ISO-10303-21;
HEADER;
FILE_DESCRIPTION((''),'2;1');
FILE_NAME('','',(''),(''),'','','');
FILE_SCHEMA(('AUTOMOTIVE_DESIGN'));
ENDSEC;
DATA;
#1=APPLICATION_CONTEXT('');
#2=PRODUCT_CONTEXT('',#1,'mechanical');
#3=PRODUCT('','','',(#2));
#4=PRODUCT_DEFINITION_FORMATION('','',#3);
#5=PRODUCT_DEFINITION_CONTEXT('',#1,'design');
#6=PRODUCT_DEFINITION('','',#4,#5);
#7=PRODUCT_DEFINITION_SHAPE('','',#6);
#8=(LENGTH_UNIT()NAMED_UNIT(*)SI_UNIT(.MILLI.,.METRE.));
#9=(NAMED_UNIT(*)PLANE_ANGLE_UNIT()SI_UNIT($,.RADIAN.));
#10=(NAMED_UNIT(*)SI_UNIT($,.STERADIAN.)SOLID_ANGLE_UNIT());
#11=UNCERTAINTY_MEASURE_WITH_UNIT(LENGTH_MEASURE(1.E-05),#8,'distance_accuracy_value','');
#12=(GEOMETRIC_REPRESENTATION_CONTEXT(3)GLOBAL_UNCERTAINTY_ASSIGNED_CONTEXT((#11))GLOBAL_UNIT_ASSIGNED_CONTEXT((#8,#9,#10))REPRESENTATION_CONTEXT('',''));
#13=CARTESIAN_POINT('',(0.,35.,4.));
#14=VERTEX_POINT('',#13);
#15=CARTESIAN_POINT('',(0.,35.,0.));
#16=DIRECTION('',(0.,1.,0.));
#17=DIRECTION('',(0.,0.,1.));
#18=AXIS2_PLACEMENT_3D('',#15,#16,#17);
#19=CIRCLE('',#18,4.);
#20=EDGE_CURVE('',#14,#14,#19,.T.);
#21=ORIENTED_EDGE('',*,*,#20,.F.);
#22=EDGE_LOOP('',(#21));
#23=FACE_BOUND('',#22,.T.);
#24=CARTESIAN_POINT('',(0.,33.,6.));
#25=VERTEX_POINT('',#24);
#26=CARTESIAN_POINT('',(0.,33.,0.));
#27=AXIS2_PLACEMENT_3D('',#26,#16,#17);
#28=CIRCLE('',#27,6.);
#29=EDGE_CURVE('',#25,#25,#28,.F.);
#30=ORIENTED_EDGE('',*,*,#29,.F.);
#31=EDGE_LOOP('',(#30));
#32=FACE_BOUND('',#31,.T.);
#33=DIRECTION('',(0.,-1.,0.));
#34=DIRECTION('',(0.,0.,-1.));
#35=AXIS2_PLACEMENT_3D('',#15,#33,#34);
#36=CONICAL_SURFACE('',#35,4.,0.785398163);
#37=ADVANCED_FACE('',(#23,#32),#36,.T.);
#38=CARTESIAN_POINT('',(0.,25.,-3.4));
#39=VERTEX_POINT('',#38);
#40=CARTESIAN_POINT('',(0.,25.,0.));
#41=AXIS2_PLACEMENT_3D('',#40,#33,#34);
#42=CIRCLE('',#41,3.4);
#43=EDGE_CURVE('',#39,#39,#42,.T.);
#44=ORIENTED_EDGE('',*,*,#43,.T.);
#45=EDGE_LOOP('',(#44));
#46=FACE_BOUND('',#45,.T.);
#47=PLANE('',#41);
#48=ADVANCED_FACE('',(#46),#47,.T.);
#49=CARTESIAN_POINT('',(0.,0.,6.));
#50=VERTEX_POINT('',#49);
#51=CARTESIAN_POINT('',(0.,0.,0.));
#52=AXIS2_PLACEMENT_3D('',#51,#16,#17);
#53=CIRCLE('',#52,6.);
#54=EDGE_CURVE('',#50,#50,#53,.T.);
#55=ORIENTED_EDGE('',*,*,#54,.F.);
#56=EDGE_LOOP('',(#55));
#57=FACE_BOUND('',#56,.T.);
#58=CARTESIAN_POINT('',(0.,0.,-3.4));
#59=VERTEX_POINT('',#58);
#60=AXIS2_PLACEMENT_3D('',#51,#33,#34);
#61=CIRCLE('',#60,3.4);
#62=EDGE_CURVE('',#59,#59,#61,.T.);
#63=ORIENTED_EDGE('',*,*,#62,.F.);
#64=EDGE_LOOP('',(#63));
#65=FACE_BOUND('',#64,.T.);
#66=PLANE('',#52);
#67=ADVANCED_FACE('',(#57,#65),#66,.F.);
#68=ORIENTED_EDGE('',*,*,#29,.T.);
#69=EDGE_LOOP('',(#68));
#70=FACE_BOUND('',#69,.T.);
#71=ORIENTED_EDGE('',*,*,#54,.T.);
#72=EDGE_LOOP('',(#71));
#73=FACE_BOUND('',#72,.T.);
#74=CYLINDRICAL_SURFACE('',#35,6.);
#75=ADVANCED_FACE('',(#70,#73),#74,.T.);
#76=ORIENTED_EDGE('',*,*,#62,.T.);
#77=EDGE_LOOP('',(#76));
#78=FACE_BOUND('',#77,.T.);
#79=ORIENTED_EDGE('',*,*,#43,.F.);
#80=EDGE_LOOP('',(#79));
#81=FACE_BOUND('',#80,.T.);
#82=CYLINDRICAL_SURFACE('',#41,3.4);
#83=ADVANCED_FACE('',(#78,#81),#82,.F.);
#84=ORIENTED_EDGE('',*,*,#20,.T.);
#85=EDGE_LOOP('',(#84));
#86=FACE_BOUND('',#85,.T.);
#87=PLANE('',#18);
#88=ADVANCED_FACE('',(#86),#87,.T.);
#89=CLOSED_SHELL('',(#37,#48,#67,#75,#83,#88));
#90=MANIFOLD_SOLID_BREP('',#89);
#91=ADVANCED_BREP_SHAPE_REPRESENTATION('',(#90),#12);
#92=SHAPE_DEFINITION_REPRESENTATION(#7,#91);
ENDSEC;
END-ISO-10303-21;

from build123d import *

# Parameters (mm, degrees)
ESBO_O1_R                = 6
RESSALTO_EXTRUS_O1_DEPTH = 35
CHANFRO1_SIZE            = 2
ESBO_O2_R                = 3.4
CORTE_EXTRUS_O1_DEPTH    = 25


with BuildPart() as part:
    # Esboço1 → Ressalto-extrusão1 (new body)
    with BuildSketch(Plane(origin=(0, 0, 0), x_dir=(1, 0, 0), z_dir=(0, 1, 0))):
        with Locations(Location((0, 0, 0), (0, 0, 270))):
            Circle(ESBO_O1_R)
    extrude(amount=RESSALTO_EXTRUS_O1_DEPTH)

    # Chanfro1
    chanfro1_edges = [part.edges().sort_by_distance(p)[0] for p in [
        (0, 35, -6),
    ]]
    chamfer(chanfro1_edges, length=CHANFRO1_SIZE)

    # Esboço2 → Corte-extrusão1 (cut)
    with BuildSketch(Plane.XZ):
        with Locations(Location((0, 0, 0), (0, 0, 270))):
            Circle(ESBO_O2_R)
    extrude(amount=-CORTE_EXTRUS_O1_DEPTH, mode=Mode.SUBTRACT)


solid = part.part
